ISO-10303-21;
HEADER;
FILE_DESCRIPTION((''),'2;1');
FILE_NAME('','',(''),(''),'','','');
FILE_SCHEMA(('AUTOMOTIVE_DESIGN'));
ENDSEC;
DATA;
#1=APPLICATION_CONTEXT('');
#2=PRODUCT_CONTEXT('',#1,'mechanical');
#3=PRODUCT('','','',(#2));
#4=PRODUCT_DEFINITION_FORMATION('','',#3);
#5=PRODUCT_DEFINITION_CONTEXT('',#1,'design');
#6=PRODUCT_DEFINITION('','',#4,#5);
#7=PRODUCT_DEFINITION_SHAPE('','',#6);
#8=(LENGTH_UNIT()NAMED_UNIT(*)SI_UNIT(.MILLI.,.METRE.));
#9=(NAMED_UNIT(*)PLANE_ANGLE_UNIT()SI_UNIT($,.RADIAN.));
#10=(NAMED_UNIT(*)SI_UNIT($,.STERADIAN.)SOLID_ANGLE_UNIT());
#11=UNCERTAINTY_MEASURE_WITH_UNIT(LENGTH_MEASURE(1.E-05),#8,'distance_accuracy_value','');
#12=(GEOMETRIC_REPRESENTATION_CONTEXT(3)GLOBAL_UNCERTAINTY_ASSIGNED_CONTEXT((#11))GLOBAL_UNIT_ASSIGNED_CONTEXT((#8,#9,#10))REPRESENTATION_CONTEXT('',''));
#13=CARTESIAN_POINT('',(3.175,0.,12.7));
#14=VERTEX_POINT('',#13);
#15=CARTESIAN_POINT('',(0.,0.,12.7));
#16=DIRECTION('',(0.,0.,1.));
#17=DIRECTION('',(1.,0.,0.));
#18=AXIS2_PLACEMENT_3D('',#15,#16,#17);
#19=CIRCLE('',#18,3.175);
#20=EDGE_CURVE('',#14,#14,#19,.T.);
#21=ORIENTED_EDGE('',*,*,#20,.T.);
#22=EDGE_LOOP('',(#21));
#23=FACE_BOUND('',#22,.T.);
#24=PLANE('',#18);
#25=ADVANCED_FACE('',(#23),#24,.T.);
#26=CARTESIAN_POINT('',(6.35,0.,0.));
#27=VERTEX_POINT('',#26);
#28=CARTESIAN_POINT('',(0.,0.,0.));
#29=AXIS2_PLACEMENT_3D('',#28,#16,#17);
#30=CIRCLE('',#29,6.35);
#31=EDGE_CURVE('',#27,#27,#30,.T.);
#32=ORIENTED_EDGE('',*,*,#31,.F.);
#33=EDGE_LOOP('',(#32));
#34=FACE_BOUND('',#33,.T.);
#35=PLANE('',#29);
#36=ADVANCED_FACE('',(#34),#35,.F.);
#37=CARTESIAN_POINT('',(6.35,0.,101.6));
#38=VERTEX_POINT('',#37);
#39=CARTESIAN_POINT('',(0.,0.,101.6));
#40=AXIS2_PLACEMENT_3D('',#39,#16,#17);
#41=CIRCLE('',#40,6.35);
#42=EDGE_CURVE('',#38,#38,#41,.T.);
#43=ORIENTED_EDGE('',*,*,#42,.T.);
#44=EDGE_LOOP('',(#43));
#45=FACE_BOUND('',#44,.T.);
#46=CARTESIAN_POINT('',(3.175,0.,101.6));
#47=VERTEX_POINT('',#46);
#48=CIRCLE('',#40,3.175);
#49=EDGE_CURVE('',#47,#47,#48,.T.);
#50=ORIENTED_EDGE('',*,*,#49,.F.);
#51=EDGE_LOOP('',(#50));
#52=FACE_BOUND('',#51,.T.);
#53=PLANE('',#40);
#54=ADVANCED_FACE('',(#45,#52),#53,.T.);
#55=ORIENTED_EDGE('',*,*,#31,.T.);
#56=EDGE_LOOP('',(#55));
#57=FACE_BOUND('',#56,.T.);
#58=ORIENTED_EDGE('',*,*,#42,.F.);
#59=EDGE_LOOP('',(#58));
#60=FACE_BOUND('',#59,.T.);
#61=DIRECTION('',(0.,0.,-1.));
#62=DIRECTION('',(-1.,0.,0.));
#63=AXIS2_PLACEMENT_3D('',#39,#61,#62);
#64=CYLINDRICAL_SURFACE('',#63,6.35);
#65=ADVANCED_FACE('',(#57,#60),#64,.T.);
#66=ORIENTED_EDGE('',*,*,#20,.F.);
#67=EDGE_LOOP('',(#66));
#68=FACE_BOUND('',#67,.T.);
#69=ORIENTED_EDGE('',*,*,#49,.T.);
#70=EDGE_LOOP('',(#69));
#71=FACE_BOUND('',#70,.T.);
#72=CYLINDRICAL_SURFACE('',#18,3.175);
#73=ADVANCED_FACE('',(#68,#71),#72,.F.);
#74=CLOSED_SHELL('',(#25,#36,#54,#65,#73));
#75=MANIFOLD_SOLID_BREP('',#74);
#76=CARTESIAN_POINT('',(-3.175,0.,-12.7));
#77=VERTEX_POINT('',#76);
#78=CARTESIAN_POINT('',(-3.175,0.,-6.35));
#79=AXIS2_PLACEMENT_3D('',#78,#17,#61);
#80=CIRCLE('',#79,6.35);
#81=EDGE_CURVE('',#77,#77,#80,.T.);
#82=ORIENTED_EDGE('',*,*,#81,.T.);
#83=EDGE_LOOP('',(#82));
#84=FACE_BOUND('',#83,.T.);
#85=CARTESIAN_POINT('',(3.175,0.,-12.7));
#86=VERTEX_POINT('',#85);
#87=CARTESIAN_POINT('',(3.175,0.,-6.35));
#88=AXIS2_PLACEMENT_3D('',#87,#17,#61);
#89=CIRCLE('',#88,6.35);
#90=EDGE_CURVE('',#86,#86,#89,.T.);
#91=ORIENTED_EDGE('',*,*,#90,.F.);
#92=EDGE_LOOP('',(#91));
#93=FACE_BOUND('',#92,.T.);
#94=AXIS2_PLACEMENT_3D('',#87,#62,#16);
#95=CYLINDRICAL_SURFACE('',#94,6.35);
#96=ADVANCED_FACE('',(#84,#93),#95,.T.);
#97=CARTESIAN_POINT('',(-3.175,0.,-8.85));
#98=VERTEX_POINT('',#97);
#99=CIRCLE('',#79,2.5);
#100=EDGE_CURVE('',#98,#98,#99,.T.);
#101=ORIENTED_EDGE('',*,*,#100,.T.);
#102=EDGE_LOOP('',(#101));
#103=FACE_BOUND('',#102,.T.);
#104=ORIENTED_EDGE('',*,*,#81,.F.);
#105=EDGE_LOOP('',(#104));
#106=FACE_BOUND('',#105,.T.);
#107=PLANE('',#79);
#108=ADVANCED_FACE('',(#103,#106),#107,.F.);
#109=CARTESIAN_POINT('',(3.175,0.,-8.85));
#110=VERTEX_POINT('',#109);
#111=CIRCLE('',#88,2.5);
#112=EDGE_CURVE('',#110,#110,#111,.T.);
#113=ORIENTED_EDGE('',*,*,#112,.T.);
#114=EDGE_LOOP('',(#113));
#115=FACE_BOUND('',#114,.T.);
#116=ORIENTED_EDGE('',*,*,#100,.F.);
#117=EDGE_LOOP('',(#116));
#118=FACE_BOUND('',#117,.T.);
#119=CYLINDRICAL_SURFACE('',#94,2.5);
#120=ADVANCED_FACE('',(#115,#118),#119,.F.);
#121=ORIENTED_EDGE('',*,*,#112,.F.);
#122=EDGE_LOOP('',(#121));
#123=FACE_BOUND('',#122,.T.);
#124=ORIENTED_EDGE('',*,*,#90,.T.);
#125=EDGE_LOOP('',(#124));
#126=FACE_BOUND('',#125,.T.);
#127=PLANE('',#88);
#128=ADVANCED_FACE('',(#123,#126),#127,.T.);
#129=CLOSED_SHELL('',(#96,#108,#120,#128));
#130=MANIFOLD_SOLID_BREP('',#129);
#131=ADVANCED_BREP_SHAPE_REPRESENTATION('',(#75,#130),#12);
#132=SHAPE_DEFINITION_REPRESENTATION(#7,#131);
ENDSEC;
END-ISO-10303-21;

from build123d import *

# Parameters (mm, degrees)
SKETCH1_R           = 6.35
BOSS_EXTRUDE1_DEPTH = 101.6
SKETCH2_R           = 3.175
CUT_EXTRUDE1_DEPTH  = 88.9
SKETCH3_R           = 6.35
SKETCH3_R_2         = 2.5
BOSS_EXTRUDE2_DEPTH = 3.175


with BuildPart() as part:
    # Sketch1 → Boss-Extrude1 (new body)
    with BuildSketch(Plane.XY):
        Circle(SKETCH1_R)
    extrude(amount=BOSS_EXTRUDE1_DEPTH)

    # Sketch2 → Cut-Extrude1 (cut)
    with BuildSketch(Plane.XY.offset(101.6)):
        Circle(SKETCH2_R)
    extrude(amount=-CUT_EXTRUDE1_DEPTH, mode=Mode.SUBTRACT)


with BuildPart() as body_2:
    # Sketch3 → Boss-Extrude2 (new, symmetric)
    with BuildSketch(Plane(origin=(0, 0, 0), x_dir=(0, 0, -1), z_dir=(1, 0, 0))):
        with Locations((6.35, 0)):
            Circle(SKETCH3_R)
        with Locations((6.35, 0)):
            Circle(SKETCH3_R_2, mode=Mode.SUBTRACT)
    extrude(amount=BOSS_EXTRUDE2_DEPTH, both=True)


solid = Compound([part.part, body_2.part])
